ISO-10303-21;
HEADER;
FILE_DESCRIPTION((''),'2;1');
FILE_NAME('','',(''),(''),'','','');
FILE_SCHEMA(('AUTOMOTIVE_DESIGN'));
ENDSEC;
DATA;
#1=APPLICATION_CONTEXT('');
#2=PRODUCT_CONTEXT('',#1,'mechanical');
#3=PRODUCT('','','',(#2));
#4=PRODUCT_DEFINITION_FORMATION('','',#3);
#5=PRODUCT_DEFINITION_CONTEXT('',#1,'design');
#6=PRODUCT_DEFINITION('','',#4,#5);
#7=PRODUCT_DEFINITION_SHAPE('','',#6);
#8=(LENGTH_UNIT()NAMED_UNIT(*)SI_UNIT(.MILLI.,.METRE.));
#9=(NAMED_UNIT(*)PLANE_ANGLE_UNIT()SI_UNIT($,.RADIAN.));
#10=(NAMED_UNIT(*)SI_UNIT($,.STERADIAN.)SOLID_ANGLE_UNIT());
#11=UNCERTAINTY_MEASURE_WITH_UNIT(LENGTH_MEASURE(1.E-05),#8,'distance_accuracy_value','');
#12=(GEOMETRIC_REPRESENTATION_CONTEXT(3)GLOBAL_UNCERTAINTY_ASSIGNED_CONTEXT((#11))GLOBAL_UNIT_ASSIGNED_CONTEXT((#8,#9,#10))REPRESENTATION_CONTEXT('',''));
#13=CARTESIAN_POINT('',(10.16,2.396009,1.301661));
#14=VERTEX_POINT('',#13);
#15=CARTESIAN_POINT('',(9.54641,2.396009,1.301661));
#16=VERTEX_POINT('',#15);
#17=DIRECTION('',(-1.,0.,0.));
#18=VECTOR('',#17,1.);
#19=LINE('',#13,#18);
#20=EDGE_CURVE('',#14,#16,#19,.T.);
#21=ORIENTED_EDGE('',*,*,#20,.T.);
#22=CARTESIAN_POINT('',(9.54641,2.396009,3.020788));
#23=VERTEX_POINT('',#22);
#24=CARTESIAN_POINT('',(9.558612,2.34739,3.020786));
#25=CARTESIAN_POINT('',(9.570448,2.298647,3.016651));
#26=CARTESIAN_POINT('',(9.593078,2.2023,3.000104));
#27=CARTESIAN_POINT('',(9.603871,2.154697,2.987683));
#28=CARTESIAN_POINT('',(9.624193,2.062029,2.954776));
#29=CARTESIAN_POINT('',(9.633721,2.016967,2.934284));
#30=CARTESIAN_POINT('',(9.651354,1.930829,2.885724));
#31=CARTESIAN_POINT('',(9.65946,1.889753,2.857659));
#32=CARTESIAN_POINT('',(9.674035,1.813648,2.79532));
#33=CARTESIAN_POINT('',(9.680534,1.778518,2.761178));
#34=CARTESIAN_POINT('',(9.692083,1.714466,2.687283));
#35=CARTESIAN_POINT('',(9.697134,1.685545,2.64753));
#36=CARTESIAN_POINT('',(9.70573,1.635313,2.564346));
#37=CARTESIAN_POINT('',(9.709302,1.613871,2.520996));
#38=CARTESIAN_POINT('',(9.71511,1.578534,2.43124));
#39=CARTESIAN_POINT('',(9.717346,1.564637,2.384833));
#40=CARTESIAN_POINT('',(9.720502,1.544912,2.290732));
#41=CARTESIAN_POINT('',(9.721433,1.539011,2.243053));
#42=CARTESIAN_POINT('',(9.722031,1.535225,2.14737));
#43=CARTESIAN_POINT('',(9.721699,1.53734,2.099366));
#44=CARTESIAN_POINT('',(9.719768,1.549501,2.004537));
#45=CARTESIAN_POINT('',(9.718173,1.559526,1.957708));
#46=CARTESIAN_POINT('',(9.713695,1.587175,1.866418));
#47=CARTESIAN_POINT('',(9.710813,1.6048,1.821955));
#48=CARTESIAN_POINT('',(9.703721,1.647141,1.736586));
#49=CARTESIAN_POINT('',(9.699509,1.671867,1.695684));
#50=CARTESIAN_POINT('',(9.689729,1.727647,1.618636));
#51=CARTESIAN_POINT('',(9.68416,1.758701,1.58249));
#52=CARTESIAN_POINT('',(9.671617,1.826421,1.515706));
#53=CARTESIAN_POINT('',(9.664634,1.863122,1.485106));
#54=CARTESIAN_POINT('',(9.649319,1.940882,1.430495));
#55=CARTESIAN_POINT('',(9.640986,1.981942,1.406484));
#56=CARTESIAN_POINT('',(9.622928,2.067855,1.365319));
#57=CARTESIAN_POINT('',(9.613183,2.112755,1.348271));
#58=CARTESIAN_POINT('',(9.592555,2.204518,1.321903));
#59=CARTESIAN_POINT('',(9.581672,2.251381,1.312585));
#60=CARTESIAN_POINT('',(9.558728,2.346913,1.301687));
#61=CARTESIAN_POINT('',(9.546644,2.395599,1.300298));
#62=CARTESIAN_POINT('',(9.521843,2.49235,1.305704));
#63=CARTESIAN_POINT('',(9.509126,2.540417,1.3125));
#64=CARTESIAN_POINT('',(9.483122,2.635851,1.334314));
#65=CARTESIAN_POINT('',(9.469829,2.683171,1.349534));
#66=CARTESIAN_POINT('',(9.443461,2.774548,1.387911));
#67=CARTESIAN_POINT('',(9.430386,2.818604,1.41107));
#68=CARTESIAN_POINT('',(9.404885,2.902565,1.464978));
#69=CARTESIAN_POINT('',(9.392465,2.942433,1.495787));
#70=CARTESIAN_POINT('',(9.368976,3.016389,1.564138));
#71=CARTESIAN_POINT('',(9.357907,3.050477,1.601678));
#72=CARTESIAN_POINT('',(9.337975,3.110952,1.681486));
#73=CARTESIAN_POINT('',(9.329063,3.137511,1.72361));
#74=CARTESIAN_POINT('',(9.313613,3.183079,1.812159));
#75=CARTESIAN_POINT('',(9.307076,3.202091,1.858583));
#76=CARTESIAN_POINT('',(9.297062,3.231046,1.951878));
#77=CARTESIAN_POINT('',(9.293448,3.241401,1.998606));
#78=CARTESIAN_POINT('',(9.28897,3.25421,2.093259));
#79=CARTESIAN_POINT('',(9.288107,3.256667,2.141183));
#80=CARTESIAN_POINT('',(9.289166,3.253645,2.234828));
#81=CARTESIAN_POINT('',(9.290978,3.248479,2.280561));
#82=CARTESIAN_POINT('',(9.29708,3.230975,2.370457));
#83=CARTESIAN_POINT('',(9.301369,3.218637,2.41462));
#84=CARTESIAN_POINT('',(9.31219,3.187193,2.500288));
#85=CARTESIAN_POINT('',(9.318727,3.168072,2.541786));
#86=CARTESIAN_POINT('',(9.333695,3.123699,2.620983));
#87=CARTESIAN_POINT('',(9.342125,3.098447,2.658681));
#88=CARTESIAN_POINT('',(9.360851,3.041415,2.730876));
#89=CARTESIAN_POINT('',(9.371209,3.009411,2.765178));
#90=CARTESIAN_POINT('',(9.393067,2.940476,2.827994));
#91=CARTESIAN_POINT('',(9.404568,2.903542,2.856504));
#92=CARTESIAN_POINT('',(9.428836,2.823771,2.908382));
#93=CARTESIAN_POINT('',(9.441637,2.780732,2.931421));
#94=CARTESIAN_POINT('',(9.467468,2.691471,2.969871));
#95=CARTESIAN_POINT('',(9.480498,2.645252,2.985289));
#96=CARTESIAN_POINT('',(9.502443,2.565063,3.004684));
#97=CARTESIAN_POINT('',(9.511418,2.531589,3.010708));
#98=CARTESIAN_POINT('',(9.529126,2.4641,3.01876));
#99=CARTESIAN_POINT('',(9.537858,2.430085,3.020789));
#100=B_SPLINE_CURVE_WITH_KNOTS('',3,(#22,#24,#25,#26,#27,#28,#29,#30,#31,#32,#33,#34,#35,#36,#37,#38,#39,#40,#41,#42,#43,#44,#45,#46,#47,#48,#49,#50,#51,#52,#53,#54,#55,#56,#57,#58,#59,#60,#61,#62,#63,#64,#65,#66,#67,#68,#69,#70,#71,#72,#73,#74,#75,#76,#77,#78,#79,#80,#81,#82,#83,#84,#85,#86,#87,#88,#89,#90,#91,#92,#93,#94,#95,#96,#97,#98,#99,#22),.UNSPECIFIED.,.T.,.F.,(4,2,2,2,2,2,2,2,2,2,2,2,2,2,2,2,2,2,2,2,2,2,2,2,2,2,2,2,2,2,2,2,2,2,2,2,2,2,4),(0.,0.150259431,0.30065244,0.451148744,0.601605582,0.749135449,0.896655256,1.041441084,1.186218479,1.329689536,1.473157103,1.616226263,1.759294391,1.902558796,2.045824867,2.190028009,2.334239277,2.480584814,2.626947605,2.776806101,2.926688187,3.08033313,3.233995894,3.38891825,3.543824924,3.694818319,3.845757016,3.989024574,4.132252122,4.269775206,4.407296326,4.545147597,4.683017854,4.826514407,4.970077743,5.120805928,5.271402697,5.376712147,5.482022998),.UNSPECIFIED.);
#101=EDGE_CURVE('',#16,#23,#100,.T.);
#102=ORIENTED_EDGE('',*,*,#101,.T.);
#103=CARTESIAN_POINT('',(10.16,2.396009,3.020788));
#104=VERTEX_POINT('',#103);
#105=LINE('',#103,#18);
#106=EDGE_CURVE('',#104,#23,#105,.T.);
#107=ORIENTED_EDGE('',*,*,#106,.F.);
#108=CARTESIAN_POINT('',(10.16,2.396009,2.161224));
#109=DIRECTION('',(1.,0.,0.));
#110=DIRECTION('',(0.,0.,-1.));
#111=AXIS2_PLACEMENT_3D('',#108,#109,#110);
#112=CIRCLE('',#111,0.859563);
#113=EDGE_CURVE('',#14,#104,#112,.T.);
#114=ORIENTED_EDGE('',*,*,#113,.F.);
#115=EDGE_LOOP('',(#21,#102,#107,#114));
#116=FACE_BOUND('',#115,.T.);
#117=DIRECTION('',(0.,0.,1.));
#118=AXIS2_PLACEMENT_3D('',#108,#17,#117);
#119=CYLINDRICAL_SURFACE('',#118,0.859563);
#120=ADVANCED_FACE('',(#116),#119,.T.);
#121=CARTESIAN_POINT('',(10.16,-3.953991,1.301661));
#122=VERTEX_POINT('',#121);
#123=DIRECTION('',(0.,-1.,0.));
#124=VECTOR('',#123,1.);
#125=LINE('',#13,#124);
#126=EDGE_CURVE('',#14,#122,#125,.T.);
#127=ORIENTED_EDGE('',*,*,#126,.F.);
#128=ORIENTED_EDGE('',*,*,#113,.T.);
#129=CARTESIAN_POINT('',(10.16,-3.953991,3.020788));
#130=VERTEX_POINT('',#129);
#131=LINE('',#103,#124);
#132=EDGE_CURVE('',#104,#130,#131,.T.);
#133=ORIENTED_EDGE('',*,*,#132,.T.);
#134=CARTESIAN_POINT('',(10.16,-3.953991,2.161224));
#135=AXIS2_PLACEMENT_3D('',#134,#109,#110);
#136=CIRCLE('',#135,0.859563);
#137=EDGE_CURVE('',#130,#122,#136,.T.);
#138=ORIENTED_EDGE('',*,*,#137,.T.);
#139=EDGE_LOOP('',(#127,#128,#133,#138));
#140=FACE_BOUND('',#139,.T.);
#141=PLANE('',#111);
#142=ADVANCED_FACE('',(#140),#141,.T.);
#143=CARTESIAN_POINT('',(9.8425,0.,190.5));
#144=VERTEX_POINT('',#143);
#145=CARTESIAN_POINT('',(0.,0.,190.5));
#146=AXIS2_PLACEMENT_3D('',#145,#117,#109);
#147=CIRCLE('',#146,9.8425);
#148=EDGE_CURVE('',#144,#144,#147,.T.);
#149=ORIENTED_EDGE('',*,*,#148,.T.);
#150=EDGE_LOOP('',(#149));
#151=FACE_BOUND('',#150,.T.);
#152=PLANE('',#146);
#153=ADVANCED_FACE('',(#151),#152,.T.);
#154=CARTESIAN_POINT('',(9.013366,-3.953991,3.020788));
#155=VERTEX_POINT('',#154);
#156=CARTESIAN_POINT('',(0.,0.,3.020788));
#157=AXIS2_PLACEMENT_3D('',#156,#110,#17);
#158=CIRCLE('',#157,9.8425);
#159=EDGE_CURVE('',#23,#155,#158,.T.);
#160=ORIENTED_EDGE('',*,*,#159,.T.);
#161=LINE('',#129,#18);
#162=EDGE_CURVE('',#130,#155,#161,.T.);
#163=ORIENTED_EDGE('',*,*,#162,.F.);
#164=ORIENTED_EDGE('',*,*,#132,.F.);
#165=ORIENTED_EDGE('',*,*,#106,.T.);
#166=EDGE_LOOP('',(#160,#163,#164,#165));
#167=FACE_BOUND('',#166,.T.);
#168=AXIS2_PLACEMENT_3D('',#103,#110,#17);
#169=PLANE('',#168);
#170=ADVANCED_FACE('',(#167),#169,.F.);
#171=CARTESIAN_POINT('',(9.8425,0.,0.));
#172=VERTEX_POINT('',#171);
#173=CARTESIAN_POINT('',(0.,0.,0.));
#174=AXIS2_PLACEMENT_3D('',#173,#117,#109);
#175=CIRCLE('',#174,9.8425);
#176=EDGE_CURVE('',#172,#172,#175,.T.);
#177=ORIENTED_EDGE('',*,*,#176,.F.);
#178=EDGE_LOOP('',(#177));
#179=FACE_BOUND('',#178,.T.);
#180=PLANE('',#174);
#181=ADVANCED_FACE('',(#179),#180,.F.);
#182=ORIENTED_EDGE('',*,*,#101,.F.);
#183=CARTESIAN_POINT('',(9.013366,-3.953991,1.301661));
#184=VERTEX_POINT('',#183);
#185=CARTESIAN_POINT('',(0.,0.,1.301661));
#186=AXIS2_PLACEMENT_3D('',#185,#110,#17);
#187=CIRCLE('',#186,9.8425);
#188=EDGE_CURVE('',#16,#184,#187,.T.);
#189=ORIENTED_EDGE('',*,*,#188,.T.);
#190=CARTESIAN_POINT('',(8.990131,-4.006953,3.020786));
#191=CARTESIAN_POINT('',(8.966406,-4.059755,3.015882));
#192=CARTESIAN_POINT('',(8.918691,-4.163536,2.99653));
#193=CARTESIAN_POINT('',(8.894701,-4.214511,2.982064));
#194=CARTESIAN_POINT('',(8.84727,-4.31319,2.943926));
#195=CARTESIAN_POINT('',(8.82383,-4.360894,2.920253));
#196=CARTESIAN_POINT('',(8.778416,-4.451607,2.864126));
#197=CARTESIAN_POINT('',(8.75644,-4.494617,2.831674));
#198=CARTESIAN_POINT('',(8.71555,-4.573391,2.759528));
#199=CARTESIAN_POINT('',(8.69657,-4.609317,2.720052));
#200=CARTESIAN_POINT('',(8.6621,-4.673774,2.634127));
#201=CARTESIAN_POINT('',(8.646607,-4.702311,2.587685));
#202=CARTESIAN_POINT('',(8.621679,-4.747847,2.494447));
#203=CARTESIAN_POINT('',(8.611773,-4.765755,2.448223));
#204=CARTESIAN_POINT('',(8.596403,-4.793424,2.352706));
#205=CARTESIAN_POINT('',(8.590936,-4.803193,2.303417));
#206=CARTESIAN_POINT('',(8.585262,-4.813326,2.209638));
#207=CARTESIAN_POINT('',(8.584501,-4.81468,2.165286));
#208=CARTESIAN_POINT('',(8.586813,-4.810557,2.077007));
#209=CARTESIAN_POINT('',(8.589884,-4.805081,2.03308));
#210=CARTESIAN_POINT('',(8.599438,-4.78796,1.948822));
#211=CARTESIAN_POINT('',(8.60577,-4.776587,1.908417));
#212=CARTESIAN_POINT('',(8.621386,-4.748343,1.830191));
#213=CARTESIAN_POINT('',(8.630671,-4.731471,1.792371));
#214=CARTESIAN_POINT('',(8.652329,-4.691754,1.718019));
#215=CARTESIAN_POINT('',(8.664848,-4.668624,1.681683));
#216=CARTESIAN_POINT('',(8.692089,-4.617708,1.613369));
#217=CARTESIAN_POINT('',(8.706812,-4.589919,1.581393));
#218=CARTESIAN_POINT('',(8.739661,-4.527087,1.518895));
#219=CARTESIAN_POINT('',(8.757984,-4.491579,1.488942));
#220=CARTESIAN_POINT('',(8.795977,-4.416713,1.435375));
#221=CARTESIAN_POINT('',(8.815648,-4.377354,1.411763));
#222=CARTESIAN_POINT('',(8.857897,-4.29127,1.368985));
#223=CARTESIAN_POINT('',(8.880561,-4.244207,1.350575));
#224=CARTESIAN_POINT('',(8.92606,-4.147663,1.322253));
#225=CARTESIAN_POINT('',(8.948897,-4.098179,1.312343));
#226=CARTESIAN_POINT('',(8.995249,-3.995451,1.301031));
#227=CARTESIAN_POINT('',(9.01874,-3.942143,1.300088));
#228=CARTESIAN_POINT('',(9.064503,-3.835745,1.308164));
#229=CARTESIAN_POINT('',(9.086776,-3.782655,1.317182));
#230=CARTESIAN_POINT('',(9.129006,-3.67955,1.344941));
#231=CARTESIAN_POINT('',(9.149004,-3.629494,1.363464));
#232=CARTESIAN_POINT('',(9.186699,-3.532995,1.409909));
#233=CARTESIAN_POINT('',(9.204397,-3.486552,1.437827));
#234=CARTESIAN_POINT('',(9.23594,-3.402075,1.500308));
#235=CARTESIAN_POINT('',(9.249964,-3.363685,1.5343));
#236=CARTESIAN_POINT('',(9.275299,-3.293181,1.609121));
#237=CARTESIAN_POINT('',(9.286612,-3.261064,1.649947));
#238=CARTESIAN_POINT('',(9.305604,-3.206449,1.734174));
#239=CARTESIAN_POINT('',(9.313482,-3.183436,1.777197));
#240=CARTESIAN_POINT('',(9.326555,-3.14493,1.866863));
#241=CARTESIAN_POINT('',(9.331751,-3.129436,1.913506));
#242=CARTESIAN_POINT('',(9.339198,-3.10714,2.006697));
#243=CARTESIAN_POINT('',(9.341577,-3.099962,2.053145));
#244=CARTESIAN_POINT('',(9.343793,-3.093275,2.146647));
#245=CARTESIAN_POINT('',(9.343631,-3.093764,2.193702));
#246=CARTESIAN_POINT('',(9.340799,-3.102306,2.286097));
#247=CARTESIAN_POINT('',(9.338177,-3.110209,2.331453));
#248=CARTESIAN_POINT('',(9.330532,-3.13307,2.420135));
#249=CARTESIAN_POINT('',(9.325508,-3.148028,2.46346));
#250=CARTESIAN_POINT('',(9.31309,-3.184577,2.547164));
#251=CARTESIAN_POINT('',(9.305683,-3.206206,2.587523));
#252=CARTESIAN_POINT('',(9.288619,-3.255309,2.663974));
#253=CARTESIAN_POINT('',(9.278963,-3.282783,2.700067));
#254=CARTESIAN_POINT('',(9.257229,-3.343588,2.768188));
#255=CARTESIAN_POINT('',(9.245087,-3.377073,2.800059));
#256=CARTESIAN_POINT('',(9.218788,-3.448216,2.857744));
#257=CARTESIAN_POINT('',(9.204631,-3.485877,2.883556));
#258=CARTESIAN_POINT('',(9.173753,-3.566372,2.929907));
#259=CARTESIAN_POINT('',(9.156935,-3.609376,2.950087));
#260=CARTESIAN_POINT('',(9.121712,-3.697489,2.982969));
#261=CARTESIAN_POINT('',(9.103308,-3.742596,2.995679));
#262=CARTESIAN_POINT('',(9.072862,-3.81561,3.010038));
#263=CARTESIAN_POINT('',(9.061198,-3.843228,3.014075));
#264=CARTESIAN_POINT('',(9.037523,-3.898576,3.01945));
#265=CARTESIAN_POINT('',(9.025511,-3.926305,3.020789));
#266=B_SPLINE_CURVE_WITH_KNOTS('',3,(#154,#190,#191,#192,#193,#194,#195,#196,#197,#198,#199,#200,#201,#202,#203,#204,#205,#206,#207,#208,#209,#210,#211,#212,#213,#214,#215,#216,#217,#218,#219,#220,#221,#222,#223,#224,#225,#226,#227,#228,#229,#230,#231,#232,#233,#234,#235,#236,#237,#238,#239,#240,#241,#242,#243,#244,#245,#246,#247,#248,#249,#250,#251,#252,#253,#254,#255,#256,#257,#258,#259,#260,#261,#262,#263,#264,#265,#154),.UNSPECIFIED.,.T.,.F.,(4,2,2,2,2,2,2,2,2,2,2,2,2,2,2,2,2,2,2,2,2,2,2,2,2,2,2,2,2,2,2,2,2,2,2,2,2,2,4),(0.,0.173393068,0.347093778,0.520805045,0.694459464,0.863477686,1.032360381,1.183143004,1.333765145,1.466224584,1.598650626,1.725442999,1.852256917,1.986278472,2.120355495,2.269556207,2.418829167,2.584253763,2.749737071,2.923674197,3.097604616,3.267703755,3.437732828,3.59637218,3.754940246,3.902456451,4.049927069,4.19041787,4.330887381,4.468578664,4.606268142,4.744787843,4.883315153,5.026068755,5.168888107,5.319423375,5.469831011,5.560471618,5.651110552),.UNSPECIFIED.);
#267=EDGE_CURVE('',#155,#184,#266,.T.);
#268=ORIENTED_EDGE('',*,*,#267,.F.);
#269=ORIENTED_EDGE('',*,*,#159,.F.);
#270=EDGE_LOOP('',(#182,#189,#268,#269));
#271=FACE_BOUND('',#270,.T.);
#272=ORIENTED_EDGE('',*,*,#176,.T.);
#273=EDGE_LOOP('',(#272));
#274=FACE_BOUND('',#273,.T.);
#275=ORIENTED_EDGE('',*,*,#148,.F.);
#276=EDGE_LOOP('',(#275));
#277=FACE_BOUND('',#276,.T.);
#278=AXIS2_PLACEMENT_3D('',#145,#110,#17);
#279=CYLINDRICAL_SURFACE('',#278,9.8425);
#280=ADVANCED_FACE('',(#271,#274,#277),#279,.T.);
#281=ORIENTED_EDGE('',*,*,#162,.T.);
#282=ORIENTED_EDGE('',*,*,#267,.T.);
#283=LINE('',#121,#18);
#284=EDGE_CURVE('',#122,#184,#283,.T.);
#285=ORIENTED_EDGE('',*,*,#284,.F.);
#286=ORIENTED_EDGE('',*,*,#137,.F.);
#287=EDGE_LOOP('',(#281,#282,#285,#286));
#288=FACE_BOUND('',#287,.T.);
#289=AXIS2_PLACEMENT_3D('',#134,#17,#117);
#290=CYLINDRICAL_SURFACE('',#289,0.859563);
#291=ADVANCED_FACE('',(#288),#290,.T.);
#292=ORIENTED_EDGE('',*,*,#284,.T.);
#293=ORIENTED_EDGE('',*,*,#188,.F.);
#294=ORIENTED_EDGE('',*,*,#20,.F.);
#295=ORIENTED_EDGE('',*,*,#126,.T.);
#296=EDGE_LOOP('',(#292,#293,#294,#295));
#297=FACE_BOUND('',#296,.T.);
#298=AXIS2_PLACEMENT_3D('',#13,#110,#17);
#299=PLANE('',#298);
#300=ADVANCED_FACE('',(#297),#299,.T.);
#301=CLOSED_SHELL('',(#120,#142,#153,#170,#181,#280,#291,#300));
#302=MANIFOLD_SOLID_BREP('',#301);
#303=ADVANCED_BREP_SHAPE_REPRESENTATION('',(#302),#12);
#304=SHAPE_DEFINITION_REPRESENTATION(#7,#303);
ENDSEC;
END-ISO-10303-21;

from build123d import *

# Parameters (mm, degrees)
SKETCH1_R           = 9.8425
BOSS_EXTRUDE1_DEPTH = 190.5
BOSS_EXTRUDE6_DEPTH = 10.16


with BuildPart() as part:
    # Sketch1 → Boss-Extrude1 (new body)
    with BuildSketch(Plane.XY):
        Circle(SKETCH1_R)
    extrude(amount=BOSS_EXTRUDE1_DEPTH)

    # Sketch6 → Boss-Extrude6 (add)
    with BuildSketch(Plane(origin=(0, 0, 0), x_dir=(0, 0, -1), z_dir=(1, 0, 0))):
        with BuildLine():
            Line((-1.301661294, 2.396009349), (-1.301661294, -3.953990651))
            ThreePointArc((-1.301661294, -3.953990651), (-2.161224479, -4.813553836), (-3.020787664, -3.953990651))
            Line((-3.020787664, -3.953990651), (-3.020787664, 2.396009349))
            ThreePointArc((-3.020787664, 2.396009349), (-2.161224479, 3.255572534), (-1.301661294, 2.396009349))
        make_face()
    extrude(amount=BOSS_EXTRUDE6_DEPTH)


solid = part.part
